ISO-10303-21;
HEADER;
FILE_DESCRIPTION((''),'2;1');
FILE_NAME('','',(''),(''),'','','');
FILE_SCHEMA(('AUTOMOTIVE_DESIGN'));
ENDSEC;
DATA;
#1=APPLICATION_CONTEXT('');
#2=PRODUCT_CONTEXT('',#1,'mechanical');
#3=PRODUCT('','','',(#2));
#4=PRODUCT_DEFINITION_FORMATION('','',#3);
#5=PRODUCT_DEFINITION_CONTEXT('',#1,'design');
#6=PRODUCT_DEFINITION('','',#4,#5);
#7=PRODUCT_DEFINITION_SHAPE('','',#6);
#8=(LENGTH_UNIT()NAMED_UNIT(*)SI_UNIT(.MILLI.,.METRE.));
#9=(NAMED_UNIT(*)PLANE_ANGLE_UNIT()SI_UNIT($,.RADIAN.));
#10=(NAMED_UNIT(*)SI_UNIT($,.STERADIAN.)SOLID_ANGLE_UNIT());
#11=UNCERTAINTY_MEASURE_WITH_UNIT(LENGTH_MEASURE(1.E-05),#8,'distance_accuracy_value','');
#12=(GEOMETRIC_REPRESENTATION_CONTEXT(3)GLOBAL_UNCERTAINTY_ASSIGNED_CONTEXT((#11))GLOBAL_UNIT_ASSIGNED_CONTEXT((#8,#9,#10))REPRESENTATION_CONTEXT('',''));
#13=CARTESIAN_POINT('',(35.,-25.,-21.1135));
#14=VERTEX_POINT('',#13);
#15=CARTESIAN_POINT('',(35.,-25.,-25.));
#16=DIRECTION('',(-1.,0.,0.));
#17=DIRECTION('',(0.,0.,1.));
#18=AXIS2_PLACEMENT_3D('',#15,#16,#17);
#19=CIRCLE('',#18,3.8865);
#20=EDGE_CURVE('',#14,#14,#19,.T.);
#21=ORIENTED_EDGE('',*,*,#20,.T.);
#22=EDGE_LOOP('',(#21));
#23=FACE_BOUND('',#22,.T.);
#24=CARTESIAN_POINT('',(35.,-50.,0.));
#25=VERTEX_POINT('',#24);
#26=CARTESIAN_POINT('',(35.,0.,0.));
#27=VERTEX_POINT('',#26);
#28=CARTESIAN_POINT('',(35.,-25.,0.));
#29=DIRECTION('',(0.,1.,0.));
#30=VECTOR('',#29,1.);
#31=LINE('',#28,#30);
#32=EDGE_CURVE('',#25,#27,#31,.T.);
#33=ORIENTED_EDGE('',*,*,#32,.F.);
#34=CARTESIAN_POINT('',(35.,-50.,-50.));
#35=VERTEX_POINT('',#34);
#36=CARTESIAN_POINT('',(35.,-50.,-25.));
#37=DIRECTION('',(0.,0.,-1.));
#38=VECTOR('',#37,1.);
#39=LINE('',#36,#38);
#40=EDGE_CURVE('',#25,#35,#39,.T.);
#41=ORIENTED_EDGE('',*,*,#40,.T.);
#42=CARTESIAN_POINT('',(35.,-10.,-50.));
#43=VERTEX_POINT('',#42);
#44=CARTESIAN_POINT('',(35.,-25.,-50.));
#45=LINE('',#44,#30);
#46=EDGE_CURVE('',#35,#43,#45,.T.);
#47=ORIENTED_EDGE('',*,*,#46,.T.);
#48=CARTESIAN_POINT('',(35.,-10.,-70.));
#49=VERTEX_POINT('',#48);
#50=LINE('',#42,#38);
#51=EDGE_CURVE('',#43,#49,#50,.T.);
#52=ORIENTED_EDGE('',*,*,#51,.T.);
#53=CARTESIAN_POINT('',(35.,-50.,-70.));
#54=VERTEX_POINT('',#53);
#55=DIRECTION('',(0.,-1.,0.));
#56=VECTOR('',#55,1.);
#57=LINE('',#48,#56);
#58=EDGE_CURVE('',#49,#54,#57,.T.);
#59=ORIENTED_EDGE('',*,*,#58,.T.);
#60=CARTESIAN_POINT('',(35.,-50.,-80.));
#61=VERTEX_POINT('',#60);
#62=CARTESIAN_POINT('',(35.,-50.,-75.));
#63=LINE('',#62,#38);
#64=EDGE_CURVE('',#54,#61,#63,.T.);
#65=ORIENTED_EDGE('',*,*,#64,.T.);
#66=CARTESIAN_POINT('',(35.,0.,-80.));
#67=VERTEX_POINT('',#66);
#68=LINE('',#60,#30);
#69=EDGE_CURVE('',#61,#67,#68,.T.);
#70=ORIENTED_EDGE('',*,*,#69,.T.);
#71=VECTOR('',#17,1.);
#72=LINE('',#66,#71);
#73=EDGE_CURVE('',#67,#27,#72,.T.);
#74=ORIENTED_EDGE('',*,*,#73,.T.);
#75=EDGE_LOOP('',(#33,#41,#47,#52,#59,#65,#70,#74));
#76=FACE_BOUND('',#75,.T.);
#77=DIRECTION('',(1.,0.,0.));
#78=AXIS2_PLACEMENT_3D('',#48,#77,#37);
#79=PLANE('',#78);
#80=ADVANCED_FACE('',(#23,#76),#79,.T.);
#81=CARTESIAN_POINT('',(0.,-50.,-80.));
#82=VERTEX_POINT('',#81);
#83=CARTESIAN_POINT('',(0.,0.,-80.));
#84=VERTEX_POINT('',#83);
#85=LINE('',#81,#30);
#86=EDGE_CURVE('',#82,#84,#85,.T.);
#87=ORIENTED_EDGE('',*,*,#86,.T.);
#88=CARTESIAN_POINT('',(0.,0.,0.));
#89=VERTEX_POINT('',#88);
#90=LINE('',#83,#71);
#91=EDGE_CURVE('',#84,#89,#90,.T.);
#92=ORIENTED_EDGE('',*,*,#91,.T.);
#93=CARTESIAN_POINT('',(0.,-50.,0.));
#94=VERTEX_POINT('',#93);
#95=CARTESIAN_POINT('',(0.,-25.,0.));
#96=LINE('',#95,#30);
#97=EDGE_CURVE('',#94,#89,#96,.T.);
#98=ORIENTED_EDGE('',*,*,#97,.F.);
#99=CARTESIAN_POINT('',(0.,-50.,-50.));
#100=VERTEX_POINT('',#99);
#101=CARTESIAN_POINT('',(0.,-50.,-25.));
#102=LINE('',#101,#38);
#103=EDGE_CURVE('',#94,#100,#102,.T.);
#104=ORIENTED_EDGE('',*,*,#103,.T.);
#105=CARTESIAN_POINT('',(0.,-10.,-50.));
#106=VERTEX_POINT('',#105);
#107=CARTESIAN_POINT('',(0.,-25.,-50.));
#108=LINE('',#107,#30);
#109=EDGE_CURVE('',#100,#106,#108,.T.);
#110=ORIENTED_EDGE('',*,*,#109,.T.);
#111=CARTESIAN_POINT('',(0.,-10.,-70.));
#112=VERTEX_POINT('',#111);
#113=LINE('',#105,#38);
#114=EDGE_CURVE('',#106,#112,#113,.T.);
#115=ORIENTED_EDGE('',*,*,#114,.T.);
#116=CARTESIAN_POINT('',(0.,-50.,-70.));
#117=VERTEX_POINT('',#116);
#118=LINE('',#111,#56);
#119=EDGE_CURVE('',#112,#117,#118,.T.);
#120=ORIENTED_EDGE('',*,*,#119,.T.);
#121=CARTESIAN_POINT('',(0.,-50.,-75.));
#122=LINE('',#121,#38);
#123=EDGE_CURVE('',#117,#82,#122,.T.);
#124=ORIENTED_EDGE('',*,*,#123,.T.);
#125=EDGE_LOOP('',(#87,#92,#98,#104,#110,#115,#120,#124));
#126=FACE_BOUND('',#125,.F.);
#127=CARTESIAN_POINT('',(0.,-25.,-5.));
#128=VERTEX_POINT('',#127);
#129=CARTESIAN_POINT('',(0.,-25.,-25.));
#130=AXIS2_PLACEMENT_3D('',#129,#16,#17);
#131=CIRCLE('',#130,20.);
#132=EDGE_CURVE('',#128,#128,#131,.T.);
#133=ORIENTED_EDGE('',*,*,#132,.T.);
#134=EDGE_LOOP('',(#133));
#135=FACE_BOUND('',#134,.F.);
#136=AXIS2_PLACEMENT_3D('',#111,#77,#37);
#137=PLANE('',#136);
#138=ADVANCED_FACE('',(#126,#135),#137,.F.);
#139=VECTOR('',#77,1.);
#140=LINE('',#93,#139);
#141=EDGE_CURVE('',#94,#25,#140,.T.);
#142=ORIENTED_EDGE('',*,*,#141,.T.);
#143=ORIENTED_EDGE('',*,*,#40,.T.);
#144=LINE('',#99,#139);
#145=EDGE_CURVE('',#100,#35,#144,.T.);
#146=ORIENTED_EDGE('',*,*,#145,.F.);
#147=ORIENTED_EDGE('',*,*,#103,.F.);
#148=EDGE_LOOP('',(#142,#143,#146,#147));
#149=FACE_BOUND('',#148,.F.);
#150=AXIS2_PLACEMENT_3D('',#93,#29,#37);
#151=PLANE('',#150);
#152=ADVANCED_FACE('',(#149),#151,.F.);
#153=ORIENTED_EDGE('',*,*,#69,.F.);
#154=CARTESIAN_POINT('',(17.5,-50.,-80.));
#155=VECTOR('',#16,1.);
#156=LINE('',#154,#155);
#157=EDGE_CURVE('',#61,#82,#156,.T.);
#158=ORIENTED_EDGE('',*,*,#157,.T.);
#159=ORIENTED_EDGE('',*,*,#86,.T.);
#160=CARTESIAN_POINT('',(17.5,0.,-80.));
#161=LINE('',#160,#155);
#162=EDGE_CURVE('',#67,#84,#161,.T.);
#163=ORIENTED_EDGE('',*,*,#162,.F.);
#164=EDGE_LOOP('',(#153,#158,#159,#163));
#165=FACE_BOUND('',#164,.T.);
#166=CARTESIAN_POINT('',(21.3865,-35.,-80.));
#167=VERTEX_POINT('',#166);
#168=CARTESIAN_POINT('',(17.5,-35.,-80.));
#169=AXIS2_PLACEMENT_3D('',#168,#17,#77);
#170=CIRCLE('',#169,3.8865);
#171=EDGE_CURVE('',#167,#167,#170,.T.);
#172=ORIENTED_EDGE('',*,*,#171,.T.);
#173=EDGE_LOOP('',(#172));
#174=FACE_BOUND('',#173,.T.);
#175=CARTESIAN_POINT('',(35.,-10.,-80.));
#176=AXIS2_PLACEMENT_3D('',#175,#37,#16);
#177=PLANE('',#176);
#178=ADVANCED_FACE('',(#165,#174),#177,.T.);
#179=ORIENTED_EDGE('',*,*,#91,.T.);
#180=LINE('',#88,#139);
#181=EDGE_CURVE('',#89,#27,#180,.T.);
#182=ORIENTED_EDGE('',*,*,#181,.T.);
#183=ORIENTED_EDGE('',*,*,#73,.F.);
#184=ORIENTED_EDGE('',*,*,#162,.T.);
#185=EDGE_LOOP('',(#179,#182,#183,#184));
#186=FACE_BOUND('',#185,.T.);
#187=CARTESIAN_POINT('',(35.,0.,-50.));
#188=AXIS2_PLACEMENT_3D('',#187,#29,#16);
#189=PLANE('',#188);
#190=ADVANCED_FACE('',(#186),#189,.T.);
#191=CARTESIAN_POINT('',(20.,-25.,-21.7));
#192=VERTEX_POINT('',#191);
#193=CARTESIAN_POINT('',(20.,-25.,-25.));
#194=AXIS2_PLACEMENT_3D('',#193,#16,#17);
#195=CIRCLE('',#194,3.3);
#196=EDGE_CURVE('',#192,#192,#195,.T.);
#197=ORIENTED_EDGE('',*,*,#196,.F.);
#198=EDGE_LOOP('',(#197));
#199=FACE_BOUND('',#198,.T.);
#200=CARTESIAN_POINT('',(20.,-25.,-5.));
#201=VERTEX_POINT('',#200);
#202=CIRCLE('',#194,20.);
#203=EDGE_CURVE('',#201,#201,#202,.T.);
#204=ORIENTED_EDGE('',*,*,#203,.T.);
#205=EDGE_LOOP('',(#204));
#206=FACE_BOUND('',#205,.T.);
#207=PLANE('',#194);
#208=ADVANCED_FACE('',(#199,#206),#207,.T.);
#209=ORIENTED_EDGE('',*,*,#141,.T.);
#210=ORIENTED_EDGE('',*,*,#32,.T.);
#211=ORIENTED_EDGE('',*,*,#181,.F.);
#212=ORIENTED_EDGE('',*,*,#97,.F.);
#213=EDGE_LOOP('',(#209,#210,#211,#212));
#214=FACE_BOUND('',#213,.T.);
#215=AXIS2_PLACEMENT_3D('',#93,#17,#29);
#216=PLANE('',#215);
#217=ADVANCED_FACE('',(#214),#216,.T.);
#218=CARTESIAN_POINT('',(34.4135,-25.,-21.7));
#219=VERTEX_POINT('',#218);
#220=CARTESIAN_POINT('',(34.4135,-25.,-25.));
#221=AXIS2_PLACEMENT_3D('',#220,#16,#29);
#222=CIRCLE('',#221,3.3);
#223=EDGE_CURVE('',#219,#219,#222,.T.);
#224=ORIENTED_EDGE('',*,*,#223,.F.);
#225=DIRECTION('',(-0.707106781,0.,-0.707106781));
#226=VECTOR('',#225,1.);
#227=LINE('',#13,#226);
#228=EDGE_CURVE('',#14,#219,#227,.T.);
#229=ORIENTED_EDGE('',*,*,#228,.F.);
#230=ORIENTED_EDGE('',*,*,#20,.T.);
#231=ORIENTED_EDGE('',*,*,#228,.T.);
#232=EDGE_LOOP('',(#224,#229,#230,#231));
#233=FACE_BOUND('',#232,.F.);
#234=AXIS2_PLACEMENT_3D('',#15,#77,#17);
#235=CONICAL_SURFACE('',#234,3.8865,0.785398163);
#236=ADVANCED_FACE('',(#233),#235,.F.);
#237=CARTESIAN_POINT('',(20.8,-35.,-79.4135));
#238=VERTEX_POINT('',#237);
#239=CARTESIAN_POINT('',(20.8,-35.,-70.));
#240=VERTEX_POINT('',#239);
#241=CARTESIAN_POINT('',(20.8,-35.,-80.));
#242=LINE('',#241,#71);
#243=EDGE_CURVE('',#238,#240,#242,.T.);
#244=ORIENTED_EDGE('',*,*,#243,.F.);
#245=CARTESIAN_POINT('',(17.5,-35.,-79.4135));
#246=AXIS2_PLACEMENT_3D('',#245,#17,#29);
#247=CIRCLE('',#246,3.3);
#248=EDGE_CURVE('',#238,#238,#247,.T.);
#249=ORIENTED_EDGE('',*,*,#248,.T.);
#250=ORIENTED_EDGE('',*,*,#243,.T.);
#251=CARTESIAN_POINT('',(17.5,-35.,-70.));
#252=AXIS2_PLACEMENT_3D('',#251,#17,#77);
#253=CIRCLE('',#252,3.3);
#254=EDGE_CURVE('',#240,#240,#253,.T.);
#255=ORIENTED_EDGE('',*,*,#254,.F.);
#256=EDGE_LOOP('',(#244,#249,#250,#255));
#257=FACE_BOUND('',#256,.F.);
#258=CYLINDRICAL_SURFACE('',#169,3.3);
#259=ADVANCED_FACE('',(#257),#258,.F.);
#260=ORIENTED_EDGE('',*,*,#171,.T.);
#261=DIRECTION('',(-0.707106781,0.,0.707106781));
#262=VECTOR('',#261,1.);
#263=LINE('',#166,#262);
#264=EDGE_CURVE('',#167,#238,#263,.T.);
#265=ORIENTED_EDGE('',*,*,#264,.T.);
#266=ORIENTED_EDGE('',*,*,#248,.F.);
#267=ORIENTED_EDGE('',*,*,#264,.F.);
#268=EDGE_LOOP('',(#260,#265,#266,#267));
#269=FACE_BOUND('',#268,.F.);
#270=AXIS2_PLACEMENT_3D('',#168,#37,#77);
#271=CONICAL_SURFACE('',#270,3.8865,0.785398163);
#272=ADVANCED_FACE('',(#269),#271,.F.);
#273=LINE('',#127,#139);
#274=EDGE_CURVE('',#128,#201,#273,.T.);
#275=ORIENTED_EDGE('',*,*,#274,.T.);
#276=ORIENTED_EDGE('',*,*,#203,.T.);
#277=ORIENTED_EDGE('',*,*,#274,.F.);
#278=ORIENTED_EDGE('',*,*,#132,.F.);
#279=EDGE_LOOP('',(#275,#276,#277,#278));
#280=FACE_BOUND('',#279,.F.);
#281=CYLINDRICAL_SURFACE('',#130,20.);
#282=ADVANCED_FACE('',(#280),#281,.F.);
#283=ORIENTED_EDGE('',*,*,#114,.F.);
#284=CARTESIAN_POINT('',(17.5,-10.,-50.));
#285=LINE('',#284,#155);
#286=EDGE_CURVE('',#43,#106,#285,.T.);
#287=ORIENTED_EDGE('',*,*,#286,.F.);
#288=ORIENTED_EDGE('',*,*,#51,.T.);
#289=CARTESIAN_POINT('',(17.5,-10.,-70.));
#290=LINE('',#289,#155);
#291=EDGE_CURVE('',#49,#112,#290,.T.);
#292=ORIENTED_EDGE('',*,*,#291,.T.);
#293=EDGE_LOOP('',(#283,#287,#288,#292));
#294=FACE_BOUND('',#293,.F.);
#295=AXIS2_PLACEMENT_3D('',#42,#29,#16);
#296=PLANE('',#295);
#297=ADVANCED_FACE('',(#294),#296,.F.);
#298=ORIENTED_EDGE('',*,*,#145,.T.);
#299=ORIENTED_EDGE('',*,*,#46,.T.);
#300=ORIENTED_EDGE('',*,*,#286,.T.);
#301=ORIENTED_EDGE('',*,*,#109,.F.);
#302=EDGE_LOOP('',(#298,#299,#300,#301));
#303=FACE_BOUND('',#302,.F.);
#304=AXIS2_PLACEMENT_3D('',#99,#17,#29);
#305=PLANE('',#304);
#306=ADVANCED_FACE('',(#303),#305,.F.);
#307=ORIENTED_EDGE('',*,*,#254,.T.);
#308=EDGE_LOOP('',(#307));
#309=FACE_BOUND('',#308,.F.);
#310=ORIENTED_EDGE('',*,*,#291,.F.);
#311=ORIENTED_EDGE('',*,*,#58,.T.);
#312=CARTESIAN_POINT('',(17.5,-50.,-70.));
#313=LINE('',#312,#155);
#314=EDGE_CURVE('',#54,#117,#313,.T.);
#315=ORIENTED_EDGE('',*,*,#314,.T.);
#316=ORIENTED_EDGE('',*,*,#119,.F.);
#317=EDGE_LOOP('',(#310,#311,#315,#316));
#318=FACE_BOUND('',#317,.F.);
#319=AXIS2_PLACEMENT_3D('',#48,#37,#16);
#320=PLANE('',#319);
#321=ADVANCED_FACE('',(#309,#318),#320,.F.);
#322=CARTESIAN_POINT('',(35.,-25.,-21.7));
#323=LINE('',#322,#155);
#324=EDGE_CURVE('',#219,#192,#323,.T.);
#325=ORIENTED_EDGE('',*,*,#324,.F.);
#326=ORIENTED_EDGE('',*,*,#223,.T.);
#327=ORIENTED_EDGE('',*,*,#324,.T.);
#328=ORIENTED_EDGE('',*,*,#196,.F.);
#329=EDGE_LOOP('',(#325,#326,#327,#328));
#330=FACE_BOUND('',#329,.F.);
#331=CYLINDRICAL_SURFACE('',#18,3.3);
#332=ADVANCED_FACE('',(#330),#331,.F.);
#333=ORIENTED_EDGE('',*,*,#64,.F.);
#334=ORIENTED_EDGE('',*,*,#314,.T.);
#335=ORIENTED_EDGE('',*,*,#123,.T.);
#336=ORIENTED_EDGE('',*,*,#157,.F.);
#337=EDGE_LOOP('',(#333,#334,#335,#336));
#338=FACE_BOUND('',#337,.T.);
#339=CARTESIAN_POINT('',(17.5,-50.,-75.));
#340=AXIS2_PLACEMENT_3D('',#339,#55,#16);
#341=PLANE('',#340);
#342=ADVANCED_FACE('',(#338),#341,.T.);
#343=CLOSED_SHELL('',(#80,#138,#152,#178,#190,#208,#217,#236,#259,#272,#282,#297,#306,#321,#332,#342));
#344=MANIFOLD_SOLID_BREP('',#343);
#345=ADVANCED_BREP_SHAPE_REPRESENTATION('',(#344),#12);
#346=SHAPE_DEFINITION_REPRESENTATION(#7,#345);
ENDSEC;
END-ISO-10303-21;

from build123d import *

# Parameters (mm, degrees)
SKETCH_2_W                      = 50
SKETCH_2_H                      = 50
EXTRUDE_1_DEPTH                 = 35
SKETCH_3_R                      = 20
CUT_EXTRUDE_1_DEPTH             = 20
HOLE_WIZARD_G1_16_1_D           = 6.6
HOLE_WIZARD_G1_16_1_DEPTH       = 20
HOLE_WIZARD_G1_16_1_CSINK_D     = 7.773
HOLE_WIZARD_G1_16_1_CSINK_ANGLE = 90
HOLE_WIZARD_G1_16_1_TIP         = 1.982840043
SKETCH_6_W                      = 35
SKETCH_6_H                      = 10
EXTRUDE_2_DEPTH                 = 30
SKETCH_7_W                      = 35
SKETCH_7_H                      = 10
EXTRUDE_3_DEPTH                 = 40
HOLE_WIZARD_G1_16_2_D           = 6.6
HOLE_WIZARD_G1_16_2_DEPTH       = 20
HOLE_WIZARD_G1_16_2_CSINK_D     = 7.773
HOLE_WIZARD_G1_16_2_CSINK_ANGLE = 90
HOLE_WIZARD_G1_16_2_TIP         = 1.982840043


with BuildPart() as part:
    # 草图2 → 凸台-拉伸1 (new body)
    with BuildSketch(Plane(origin=(0, 0, 0), x_dir=(0, 0, -1), z_dir=(1, 0, 0))):
        with Locations((25, -25)):
            Rectangle(SKETCH_2_W, SKETCH_2_H)
    extrude(amount=EXTRUDE_1_DEPTH)

    # 草图3 → 切除-拉伸1 (cut)
    with BuildSketch(Plane.ZY):
        with Locations((-25, -25)):
            Circle(SKETCH_3_R)
    extrude(amount=-CUT_EXTRUDE_1_DEPTH, mode=Mode.SUBTRACT)

    # G1/16 螺纹孔1
    with Locations(Plane(origin=(35, 0, 0), x_dir=(0, 0, -1), z_dir=(1, 0, 0))):
        with Locations((25, -25)):
            CounterSinkHole(HOLE_WIZARD_G1_16_1_D / 2, HOLE_WIZARD_G1_16_1_CSINK_D / 2, depth=HOLE_WIZARD_G1_16_1_DEPTH, counter_sink_angle=HOLE_WIZARD_G1_16_1_CSINK_ANGLE)
            with Locations((0, 0, -(HOLE_WIZARD_G1_16_1_DEPTH + HOLE_WIZARD_G1_16_1_TIP / 2))):  # 118° drill point
                Cone(0, HOLE_WIZARD_G1_16_1_D / 2, HOLE_WIZARD_G1_16_1_TIP, mode=Mode.SUBTRACT)

    # 草图6 → 凸台-拉伸2 (add)
    with BuildSketch(Plane(origin=(0, 0, -50), x_dir=(-1, 0, 0), z_dir=(0, 0, -1))):
        with Locations((-17.5, -5)):
            Rectangle(SKETCH_6_W, SKETCH_6_H)
    extrude(amount=EXTRUDE_2_DEPTH)

    # 草图7 → 凸台-拉伸3 (add)
    with BuildSketch(Plane(origin=(0, -10, 0), x_dir=(-1, 0, 0), z_dir=(0, -1, 0))):
        with Locations((-17.5, 75)):
            Rectangle(SKETCH_7_W, SKETCH_7_H)
    extrude(amount=EXTRUDE_3_DEPTH)

    # G1/16 螺纹孔2
    with Locations(Plane(origin=(0, 0, -80), x_dir=(-1, 0, 0), z_dir=(0, 0, -1))):
        with Locations((-17.5, -35)):
            CounterSinkHole(HOLE_WIZARD_G1_16_2_D / 2, HOLE_WIZARD_G1_16_2_CSINK_D / 2, depth=HOLE_WIZARD_G1_16_2_DEPTH, counter_sink_angle=HOLE_WIZARD_G1_16_2_CSINK_ANGLE)
            with Locations((0, 0, -(HOLE_WIZARD_G1_16_2_DEPTH + HOLE_WIZARD_G1_16_2_TIP / 2))):  # 118° drill point
                Cone(0, HOLE_WIZARD_G1_16_2_D / 2, HOLE_WIZARD_G1_16_2_TIP, mode=Mode.SUBTRACT)


solid = part.part
